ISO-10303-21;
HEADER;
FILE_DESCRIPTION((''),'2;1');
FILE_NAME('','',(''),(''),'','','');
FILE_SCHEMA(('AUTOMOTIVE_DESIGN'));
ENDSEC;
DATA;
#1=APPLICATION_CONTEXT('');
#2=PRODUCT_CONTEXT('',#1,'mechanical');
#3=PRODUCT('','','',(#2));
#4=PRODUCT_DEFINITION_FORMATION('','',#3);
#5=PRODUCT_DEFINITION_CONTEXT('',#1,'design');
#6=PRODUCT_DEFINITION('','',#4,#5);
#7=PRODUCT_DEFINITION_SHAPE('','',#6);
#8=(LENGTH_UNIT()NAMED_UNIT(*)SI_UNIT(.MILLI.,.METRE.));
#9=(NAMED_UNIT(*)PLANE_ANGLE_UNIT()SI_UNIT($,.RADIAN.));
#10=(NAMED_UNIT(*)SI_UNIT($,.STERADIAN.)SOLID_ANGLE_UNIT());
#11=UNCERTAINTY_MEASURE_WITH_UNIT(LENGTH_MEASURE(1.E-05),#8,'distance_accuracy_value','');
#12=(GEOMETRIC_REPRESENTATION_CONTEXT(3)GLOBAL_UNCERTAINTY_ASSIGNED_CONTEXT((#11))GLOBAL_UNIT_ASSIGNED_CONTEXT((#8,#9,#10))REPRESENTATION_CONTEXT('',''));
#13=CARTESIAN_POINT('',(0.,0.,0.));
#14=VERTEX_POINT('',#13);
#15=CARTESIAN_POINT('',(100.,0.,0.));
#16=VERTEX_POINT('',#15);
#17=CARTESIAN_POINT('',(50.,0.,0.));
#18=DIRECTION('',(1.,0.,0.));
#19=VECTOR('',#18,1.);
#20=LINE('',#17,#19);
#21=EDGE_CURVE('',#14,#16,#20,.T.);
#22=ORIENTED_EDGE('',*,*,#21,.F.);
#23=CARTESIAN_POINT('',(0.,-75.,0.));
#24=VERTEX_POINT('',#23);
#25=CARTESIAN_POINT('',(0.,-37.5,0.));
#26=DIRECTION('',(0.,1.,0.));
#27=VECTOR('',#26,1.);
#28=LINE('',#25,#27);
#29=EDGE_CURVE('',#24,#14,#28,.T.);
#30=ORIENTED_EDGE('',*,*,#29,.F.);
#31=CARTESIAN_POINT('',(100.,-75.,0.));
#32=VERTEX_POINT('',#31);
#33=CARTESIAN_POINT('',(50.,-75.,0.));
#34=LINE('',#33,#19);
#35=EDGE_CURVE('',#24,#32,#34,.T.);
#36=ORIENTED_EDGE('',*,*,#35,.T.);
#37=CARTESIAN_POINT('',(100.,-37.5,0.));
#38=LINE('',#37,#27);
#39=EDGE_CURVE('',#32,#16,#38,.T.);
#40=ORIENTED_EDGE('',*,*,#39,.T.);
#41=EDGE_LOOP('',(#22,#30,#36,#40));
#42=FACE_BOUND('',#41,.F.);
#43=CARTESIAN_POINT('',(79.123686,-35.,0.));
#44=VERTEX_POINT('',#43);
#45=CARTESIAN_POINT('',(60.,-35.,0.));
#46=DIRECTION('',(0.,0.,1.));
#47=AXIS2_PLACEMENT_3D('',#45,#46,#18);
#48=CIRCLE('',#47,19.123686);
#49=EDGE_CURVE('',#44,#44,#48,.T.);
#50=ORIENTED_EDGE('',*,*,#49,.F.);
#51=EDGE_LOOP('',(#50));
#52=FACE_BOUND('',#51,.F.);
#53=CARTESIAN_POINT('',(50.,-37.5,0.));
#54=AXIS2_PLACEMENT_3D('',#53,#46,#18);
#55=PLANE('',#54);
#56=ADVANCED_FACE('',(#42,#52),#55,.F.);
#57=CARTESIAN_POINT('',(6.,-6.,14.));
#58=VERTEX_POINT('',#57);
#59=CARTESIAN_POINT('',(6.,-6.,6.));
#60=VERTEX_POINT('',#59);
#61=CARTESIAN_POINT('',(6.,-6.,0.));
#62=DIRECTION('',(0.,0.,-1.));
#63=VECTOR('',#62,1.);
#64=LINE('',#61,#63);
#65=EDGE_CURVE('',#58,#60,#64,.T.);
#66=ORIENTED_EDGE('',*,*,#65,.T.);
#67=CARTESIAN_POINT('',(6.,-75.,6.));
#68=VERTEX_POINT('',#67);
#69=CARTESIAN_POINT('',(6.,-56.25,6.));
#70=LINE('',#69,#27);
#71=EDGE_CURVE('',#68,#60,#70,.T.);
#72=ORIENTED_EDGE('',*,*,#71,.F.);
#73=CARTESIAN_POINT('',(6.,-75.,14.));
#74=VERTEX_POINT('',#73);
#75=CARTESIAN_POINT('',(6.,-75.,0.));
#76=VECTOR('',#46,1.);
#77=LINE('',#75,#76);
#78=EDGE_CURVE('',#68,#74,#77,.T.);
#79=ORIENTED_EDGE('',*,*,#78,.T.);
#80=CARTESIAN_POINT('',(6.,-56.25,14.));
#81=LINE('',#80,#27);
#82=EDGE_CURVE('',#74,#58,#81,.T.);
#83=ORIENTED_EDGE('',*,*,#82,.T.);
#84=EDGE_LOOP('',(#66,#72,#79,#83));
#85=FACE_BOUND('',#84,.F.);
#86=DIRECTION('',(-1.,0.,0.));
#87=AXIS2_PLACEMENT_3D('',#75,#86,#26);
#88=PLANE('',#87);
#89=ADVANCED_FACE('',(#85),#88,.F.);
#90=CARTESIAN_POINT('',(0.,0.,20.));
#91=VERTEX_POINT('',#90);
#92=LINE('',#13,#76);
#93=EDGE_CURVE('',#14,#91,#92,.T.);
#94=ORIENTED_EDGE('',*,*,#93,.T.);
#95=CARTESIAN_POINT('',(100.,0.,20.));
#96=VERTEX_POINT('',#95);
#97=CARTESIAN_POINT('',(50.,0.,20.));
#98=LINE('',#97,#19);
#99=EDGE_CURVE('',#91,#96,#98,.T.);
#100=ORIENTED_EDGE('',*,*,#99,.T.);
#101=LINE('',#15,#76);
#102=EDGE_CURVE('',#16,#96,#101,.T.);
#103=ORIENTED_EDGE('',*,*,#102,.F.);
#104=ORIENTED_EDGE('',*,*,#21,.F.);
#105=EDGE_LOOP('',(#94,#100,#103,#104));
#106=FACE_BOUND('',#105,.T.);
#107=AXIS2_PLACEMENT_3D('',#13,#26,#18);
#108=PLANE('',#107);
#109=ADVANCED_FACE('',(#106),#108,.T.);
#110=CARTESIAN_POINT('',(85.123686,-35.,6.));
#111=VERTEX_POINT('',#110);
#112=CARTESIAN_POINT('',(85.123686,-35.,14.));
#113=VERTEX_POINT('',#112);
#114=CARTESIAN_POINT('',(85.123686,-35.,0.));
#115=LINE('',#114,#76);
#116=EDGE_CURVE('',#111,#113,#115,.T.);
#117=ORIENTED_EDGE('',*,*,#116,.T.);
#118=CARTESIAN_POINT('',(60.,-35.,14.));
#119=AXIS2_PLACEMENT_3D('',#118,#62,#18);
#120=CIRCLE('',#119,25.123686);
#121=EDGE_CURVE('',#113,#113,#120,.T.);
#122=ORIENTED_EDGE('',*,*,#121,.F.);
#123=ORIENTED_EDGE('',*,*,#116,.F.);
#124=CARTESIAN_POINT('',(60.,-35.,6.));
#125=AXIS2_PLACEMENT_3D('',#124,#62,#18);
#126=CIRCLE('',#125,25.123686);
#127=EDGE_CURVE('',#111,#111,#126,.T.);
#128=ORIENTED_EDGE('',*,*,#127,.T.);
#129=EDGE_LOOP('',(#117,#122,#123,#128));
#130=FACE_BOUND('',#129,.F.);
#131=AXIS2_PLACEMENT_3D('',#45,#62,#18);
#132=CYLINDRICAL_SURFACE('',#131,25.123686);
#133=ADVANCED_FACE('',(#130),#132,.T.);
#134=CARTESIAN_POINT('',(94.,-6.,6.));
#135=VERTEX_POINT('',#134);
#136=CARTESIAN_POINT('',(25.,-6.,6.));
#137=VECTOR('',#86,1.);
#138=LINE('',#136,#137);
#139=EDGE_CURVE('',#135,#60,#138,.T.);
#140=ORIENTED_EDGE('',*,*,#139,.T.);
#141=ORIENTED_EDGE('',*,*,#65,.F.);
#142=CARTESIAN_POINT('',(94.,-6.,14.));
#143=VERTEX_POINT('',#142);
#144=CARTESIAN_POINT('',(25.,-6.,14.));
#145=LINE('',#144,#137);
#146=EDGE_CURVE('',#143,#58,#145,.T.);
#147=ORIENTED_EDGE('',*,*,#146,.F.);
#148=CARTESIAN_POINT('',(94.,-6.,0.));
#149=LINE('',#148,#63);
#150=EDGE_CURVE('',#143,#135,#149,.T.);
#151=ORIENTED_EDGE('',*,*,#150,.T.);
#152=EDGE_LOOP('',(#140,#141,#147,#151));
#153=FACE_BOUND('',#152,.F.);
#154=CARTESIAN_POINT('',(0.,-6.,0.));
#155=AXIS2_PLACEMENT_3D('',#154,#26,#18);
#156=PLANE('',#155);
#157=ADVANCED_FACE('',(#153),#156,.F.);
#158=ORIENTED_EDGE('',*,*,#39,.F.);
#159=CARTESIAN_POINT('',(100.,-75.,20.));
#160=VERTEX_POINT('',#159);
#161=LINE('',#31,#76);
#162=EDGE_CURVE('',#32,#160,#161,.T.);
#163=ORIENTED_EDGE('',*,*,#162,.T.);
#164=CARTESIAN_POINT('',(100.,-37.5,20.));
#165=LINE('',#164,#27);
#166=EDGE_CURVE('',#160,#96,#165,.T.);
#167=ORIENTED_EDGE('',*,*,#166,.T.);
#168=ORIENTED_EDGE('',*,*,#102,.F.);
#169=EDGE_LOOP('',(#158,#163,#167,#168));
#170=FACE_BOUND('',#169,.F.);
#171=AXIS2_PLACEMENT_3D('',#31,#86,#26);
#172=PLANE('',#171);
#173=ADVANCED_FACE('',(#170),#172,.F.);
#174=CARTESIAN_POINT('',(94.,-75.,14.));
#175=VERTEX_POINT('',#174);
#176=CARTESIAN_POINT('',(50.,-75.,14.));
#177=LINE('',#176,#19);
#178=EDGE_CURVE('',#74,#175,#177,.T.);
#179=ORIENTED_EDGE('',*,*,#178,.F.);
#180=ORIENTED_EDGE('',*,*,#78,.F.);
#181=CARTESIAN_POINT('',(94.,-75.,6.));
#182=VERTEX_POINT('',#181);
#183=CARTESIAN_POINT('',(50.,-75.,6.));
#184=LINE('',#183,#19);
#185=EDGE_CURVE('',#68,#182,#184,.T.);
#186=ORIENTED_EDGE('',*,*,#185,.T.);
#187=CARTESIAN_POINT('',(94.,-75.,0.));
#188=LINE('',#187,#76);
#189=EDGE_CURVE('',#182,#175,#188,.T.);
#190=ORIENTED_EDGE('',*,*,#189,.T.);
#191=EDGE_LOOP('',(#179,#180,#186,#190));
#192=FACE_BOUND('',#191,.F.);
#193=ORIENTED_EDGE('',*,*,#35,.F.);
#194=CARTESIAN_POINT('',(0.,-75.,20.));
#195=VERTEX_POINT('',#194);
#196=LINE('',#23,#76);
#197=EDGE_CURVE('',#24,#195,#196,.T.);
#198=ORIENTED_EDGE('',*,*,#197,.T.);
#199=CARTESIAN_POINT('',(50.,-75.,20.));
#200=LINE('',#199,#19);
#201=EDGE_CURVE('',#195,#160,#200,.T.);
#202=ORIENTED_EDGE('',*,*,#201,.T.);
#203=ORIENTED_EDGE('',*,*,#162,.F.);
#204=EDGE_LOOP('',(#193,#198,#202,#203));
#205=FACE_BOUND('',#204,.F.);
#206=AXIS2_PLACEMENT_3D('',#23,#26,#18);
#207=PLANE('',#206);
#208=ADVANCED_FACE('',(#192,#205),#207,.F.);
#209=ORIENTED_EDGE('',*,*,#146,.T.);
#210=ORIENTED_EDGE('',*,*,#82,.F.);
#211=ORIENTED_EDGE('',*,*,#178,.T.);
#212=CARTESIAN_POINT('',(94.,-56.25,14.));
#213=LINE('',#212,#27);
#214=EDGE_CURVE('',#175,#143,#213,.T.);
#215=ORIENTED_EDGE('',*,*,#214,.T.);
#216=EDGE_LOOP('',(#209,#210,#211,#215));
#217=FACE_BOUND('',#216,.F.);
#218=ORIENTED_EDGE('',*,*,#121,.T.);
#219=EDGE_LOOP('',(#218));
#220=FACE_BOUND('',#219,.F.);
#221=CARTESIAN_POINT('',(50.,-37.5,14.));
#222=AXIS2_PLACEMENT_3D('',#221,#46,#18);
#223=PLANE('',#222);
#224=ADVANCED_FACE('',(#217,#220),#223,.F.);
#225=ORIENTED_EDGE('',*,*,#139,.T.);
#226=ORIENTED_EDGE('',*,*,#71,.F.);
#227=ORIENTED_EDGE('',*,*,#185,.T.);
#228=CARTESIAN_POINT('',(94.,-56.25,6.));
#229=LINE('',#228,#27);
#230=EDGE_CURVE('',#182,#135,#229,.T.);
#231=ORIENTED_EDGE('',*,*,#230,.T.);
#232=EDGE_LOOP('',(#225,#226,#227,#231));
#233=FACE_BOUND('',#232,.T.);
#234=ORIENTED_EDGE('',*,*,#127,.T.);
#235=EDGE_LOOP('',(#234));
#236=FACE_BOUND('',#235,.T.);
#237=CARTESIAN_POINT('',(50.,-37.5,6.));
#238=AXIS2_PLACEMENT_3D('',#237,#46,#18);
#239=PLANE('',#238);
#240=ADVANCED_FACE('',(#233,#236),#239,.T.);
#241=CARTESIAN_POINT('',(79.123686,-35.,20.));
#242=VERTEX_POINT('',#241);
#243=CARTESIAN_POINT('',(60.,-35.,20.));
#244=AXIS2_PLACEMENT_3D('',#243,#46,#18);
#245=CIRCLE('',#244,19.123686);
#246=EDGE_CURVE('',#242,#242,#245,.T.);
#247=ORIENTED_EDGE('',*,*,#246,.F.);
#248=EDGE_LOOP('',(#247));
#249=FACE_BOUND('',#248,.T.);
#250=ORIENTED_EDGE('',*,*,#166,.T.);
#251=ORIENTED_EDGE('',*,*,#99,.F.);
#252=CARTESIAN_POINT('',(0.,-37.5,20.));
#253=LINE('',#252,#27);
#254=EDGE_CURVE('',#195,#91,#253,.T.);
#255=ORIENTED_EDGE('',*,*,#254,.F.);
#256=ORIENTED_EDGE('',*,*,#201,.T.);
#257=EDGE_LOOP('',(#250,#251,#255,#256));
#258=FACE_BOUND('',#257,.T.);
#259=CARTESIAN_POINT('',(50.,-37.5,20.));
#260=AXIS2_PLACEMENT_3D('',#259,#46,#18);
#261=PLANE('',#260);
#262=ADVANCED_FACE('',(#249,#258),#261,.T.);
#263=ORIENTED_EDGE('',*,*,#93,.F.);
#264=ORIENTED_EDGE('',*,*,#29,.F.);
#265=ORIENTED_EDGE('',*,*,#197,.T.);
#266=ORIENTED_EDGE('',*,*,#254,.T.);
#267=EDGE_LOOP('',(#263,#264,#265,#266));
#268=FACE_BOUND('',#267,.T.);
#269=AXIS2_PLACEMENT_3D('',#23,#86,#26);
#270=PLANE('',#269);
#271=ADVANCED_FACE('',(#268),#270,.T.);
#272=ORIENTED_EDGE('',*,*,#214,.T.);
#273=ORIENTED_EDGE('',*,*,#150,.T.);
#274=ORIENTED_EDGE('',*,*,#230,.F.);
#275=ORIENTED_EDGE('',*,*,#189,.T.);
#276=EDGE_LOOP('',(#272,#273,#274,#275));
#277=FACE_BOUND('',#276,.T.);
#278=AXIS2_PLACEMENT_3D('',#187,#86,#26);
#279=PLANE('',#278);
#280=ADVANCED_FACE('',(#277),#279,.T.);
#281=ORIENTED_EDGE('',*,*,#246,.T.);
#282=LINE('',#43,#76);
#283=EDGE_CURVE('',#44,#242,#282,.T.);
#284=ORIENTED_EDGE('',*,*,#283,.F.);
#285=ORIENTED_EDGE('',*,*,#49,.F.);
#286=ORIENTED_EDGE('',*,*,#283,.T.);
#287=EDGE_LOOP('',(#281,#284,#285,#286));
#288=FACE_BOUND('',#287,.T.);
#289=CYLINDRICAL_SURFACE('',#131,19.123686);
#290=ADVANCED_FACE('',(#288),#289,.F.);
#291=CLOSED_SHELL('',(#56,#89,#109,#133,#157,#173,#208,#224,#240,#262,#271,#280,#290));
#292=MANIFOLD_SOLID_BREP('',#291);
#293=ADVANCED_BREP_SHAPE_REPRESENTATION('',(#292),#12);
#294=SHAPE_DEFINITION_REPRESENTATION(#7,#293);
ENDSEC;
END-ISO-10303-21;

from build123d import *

# Parameters (mm, degrees)
F0_W     = 100
F0_H     = 75
F0_R     = 19.123686
F1_DEPTH = 20
F2_T     = -6


with BuildPart() as f1:
    # F0 (on Top) → F1 (new body)
    with BuildSketch(Plane.XY):
        with Locations((50, -37.5)):
            Rectangle(F0_W, F0_H)
        with Locations((60, -35)):
            Circle(F0_R, mode=Mode.SUBTRACT)
    extrude(amount=F1_DEPTH)

    # F2
    f2_openings = [f1.faces().sort_by_distance(p)[0] for p in [
        (50, -75, 10),
    ]]
    offset(amount=F2_T, openings=f2_openings)


solid = f1.part
